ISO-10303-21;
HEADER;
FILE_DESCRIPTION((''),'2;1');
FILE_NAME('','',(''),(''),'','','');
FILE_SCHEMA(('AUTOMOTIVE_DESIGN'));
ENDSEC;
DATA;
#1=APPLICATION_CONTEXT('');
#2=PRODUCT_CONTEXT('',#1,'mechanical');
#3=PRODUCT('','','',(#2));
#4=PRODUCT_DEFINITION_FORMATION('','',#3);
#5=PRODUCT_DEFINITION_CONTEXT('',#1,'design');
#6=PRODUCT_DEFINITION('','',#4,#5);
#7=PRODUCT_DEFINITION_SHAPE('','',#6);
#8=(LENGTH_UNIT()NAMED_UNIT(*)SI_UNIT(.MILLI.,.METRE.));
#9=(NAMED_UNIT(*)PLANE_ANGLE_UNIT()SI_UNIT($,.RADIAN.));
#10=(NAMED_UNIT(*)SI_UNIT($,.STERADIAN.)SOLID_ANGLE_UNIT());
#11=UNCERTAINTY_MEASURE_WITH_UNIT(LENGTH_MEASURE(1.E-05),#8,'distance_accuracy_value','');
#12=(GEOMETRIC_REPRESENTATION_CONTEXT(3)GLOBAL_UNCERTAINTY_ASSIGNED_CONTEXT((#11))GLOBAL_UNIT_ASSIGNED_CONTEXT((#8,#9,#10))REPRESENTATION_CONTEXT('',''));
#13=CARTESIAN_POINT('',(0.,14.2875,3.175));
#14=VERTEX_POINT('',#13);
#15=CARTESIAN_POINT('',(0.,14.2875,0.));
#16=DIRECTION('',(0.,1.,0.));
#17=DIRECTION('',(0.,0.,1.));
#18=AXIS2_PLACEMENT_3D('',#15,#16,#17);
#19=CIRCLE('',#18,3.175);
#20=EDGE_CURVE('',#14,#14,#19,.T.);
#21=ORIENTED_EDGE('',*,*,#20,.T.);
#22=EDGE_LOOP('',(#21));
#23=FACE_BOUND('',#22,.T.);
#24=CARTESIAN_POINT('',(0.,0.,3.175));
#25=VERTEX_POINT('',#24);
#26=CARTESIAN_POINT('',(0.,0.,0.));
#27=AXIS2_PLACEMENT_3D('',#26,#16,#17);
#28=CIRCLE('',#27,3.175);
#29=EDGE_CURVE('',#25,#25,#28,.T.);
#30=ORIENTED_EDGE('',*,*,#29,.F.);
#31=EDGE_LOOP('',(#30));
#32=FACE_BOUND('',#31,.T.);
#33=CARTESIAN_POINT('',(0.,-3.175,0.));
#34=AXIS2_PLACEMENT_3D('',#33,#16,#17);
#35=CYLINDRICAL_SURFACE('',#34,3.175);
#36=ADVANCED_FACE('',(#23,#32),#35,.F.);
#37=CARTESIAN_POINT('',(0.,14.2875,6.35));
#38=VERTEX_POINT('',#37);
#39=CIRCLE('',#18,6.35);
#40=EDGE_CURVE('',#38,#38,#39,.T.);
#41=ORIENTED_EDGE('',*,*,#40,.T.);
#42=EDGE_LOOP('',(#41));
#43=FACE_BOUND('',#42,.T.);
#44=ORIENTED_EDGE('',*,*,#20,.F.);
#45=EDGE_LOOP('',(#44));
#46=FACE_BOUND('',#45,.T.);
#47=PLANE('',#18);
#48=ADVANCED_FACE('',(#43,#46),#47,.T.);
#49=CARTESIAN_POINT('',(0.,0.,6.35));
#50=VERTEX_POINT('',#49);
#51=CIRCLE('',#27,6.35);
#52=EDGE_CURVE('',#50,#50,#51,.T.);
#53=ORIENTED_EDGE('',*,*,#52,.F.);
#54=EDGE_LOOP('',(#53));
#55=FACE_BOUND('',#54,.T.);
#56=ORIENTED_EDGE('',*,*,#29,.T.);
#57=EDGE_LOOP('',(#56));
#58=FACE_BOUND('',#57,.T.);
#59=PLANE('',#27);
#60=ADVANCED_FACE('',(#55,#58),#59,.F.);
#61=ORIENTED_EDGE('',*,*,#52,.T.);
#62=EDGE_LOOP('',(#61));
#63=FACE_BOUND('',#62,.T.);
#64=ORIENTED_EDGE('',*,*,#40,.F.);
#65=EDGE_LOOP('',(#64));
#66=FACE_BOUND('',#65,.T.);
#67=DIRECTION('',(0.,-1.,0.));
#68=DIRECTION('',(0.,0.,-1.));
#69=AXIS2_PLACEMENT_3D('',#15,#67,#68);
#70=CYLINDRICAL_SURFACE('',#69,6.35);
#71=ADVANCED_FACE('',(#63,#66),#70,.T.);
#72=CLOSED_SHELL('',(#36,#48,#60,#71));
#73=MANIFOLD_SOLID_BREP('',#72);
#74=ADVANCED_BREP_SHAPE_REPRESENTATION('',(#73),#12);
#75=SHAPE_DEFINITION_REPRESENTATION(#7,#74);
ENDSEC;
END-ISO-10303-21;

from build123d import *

# Parameters (mm, degrees)
SKETCH1_R           = 6.35
BOSS_EXTRUDE1_DEPTH = 14.2875
SKETCH2_R           = 3.175
CUT_EXTRUDE1_DEPTH  = 17.4625


with BuildPart() as part:
    # Sketch1 → Boss-Extrude1 (new body)
    with BuildSketch(Plane(origin=(0, 0, 0), x_dir=(1, 0, 0), z_dir=(0, 1, 0))):
        with Locations(Location((0, 0, 0), (0, 0, 270))):
            Circle(SKETCH1_R)
    extrude(amount=BOSS_EXTRUDE1_DEPTH)

    # Sketch2 → Cut-Extrude1 (cut)
    with BuildSketch(Plane(origin=(0, 14.2875, 0), x_dir=(1, 0, 0), z_dir=(0, 1, 0))):
        with Locations(Location((0, 0, 0), (0, 0, 270))):
            Circle(SKETCH2_R)
    extrude(amount=-CUT_EXTRUDE1_DEPTH, mode=Mode.SUBTRACT)


solid = part.part
